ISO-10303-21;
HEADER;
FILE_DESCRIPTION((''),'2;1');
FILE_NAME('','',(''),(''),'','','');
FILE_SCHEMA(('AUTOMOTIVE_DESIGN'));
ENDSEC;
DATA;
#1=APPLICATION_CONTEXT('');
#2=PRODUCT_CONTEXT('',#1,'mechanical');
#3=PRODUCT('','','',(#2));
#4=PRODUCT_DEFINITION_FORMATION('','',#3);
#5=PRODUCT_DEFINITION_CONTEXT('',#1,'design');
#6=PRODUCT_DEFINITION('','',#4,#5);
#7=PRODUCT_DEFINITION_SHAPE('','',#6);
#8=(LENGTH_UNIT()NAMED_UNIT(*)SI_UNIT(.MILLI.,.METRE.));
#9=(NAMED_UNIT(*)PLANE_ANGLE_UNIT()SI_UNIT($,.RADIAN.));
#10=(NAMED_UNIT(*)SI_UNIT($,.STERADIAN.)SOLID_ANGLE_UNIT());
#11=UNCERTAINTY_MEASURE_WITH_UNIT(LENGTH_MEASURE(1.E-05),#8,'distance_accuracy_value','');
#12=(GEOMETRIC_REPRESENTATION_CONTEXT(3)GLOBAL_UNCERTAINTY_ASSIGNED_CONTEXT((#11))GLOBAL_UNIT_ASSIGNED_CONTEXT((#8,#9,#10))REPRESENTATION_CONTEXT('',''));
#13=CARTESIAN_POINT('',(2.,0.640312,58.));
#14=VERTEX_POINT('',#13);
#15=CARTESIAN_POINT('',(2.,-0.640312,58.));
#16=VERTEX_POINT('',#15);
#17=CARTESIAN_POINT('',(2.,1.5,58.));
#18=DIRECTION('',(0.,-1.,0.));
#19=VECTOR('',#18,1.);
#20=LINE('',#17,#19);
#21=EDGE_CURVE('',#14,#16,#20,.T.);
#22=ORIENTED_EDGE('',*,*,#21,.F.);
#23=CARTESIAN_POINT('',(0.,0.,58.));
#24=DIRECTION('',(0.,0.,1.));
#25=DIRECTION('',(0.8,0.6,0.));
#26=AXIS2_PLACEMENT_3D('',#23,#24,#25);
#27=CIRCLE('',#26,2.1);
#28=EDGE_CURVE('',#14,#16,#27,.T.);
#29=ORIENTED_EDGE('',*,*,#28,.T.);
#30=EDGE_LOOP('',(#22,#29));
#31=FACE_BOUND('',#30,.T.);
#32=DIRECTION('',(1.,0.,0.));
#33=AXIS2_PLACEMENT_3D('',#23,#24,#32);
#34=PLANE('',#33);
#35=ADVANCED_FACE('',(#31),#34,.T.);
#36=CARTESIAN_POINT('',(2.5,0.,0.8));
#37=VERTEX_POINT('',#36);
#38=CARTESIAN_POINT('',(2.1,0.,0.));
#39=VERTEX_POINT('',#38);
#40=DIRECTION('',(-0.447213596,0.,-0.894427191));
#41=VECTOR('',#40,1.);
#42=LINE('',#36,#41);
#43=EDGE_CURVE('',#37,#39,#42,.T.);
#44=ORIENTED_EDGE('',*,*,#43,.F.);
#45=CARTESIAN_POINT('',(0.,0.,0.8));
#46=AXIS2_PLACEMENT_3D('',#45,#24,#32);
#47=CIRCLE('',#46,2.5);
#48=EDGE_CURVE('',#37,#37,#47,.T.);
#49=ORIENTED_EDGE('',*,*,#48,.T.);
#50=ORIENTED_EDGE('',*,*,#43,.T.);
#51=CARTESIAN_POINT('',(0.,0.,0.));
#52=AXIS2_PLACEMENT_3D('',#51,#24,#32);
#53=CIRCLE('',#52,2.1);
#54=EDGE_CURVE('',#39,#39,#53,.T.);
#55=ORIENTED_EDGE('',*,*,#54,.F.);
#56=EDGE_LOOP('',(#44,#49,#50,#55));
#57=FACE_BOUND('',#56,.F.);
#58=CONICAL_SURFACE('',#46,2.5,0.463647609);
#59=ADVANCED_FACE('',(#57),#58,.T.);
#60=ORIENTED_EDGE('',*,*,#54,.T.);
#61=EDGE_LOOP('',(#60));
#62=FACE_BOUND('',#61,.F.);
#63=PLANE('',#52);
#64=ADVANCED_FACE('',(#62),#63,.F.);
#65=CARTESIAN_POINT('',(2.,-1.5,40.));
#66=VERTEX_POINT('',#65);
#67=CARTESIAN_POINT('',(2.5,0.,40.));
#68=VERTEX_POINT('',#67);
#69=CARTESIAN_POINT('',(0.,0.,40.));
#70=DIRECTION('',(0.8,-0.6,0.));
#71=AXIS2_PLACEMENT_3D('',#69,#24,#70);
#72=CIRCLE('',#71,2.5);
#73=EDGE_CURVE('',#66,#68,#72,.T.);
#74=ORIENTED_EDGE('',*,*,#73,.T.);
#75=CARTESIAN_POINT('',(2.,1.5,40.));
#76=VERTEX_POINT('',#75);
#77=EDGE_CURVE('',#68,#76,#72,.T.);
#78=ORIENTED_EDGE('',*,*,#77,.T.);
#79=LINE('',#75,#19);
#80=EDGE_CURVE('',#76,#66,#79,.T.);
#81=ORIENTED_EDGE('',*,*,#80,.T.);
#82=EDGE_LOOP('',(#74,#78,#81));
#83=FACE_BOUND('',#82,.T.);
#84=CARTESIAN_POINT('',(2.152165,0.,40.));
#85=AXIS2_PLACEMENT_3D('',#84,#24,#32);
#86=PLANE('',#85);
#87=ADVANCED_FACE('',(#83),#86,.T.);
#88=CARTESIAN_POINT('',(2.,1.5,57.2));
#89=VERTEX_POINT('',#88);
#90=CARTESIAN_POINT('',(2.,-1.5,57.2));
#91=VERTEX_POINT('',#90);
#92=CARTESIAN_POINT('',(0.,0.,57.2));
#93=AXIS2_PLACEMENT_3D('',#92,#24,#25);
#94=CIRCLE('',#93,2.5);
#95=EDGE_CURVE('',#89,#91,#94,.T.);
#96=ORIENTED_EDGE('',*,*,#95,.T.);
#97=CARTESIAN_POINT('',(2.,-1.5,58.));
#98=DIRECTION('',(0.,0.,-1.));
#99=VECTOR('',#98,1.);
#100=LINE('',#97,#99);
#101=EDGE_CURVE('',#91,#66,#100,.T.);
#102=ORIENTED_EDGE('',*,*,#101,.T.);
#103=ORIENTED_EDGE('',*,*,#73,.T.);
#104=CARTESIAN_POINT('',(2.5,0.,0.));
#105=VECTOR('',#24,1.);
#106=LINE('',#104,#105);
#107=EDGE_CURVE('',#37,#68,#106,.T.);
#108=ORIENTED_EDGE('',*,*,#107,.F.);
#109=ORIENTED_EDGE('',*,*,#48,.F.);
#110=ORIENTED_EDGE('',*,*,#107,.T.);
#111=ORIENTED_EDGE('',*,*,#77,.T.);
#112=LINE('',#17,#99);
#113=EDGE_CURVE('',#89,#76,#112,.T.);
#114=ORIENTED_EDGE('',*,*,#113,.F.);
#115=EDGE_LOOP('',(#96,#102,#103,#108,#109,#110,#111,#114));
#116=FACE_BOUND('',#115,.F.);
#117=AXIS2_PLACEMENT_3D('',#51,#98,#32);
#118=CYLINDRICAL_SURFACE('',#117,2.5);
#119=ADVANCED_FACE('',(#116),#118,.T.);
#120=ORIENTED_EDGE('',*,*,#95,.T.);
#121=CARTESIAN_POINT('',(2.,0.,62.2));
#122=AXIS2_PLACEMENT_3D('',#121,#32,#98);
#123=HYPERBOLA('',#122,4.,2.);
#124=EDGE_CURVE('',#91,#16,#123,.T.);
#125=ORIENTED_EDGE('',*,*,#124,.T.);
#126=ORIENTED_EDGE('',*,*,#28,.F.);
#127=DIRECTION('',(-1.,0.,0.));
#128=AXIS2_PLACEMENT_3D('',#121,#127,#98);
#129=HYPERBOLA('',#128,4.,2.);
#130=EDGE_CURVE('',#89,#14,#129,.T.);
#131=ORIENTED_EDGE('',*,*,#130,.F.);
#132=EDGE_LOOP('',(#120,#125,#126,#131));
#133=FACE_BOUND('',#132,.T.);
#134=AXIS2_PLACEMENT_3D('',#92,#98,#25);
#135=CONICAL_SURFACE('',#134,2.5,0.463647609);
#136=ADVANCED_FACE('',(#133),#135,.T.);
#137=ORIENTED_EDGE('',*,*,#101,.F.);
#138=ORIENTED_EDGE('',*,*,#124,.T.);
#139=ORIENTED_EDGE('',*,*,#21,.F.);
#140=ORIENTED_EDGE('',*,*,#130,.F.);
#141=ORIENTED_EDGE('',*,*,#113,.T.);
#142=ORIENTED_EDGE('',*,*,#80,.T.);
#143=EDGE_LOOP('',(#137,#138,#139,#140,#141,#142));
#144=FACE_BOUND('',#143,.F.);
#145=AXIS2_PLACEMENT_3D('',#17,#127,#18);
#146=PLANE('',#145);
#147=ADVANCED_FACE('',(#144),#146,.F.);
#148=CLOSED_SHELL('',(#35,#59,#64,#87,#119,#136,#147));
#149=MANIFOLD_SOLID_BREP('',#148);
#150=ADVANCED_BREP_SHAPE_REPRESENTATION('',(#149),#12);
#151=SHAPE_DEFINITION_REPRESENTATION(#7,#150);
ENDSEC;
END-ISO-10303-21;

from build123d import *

# Parameters (mm, degrees)
SKETCH012_R      = 2.5
PAD006_DEPTH     = 58
POCKET003_DEPTH  = 18
CHAMFER002_SIZE2 = 0.4
CHAMFER002_SIZE  = 0.8


with BuildPart() as part:
    # Sketch012 → Pad006 (new body)
    with BuildSketch(Plane.XY):
        Circle(SKETCH012_R)
    extrude(amount=PAD006_DEPTH)

    # Sketch013 (on Face3 of Pad006) → Pocket003 (cut)
    with BuildSketch(Plane.XY.offset(58)):
        with BuildLine():
            ThreePointArc((2, -1.5), (2.5, 0), (2, 1.5))
            Line((2, 1.5), (2, -1.5))
        make_face()
    extrude(amount=-POCKET003_DEPTH, mode=Mode.SUBTRACT)

    # Chamfer002
    chamfer002_edges = [part.edges().sort_by_distance(p)[0] for p in [
        (-2.5, 0, 58),
        (-2.5, 0, 0),
    ]]
    chamfer002_side = part.faces().sort_by_distance((-2.5, 0, 29))[0]
    chamfer(chamfer002_edges, length=CHAMFER002_SIZE, length2=CHAMFER002_SIZE2, reference=chamfer002_side)


solid = part.part
